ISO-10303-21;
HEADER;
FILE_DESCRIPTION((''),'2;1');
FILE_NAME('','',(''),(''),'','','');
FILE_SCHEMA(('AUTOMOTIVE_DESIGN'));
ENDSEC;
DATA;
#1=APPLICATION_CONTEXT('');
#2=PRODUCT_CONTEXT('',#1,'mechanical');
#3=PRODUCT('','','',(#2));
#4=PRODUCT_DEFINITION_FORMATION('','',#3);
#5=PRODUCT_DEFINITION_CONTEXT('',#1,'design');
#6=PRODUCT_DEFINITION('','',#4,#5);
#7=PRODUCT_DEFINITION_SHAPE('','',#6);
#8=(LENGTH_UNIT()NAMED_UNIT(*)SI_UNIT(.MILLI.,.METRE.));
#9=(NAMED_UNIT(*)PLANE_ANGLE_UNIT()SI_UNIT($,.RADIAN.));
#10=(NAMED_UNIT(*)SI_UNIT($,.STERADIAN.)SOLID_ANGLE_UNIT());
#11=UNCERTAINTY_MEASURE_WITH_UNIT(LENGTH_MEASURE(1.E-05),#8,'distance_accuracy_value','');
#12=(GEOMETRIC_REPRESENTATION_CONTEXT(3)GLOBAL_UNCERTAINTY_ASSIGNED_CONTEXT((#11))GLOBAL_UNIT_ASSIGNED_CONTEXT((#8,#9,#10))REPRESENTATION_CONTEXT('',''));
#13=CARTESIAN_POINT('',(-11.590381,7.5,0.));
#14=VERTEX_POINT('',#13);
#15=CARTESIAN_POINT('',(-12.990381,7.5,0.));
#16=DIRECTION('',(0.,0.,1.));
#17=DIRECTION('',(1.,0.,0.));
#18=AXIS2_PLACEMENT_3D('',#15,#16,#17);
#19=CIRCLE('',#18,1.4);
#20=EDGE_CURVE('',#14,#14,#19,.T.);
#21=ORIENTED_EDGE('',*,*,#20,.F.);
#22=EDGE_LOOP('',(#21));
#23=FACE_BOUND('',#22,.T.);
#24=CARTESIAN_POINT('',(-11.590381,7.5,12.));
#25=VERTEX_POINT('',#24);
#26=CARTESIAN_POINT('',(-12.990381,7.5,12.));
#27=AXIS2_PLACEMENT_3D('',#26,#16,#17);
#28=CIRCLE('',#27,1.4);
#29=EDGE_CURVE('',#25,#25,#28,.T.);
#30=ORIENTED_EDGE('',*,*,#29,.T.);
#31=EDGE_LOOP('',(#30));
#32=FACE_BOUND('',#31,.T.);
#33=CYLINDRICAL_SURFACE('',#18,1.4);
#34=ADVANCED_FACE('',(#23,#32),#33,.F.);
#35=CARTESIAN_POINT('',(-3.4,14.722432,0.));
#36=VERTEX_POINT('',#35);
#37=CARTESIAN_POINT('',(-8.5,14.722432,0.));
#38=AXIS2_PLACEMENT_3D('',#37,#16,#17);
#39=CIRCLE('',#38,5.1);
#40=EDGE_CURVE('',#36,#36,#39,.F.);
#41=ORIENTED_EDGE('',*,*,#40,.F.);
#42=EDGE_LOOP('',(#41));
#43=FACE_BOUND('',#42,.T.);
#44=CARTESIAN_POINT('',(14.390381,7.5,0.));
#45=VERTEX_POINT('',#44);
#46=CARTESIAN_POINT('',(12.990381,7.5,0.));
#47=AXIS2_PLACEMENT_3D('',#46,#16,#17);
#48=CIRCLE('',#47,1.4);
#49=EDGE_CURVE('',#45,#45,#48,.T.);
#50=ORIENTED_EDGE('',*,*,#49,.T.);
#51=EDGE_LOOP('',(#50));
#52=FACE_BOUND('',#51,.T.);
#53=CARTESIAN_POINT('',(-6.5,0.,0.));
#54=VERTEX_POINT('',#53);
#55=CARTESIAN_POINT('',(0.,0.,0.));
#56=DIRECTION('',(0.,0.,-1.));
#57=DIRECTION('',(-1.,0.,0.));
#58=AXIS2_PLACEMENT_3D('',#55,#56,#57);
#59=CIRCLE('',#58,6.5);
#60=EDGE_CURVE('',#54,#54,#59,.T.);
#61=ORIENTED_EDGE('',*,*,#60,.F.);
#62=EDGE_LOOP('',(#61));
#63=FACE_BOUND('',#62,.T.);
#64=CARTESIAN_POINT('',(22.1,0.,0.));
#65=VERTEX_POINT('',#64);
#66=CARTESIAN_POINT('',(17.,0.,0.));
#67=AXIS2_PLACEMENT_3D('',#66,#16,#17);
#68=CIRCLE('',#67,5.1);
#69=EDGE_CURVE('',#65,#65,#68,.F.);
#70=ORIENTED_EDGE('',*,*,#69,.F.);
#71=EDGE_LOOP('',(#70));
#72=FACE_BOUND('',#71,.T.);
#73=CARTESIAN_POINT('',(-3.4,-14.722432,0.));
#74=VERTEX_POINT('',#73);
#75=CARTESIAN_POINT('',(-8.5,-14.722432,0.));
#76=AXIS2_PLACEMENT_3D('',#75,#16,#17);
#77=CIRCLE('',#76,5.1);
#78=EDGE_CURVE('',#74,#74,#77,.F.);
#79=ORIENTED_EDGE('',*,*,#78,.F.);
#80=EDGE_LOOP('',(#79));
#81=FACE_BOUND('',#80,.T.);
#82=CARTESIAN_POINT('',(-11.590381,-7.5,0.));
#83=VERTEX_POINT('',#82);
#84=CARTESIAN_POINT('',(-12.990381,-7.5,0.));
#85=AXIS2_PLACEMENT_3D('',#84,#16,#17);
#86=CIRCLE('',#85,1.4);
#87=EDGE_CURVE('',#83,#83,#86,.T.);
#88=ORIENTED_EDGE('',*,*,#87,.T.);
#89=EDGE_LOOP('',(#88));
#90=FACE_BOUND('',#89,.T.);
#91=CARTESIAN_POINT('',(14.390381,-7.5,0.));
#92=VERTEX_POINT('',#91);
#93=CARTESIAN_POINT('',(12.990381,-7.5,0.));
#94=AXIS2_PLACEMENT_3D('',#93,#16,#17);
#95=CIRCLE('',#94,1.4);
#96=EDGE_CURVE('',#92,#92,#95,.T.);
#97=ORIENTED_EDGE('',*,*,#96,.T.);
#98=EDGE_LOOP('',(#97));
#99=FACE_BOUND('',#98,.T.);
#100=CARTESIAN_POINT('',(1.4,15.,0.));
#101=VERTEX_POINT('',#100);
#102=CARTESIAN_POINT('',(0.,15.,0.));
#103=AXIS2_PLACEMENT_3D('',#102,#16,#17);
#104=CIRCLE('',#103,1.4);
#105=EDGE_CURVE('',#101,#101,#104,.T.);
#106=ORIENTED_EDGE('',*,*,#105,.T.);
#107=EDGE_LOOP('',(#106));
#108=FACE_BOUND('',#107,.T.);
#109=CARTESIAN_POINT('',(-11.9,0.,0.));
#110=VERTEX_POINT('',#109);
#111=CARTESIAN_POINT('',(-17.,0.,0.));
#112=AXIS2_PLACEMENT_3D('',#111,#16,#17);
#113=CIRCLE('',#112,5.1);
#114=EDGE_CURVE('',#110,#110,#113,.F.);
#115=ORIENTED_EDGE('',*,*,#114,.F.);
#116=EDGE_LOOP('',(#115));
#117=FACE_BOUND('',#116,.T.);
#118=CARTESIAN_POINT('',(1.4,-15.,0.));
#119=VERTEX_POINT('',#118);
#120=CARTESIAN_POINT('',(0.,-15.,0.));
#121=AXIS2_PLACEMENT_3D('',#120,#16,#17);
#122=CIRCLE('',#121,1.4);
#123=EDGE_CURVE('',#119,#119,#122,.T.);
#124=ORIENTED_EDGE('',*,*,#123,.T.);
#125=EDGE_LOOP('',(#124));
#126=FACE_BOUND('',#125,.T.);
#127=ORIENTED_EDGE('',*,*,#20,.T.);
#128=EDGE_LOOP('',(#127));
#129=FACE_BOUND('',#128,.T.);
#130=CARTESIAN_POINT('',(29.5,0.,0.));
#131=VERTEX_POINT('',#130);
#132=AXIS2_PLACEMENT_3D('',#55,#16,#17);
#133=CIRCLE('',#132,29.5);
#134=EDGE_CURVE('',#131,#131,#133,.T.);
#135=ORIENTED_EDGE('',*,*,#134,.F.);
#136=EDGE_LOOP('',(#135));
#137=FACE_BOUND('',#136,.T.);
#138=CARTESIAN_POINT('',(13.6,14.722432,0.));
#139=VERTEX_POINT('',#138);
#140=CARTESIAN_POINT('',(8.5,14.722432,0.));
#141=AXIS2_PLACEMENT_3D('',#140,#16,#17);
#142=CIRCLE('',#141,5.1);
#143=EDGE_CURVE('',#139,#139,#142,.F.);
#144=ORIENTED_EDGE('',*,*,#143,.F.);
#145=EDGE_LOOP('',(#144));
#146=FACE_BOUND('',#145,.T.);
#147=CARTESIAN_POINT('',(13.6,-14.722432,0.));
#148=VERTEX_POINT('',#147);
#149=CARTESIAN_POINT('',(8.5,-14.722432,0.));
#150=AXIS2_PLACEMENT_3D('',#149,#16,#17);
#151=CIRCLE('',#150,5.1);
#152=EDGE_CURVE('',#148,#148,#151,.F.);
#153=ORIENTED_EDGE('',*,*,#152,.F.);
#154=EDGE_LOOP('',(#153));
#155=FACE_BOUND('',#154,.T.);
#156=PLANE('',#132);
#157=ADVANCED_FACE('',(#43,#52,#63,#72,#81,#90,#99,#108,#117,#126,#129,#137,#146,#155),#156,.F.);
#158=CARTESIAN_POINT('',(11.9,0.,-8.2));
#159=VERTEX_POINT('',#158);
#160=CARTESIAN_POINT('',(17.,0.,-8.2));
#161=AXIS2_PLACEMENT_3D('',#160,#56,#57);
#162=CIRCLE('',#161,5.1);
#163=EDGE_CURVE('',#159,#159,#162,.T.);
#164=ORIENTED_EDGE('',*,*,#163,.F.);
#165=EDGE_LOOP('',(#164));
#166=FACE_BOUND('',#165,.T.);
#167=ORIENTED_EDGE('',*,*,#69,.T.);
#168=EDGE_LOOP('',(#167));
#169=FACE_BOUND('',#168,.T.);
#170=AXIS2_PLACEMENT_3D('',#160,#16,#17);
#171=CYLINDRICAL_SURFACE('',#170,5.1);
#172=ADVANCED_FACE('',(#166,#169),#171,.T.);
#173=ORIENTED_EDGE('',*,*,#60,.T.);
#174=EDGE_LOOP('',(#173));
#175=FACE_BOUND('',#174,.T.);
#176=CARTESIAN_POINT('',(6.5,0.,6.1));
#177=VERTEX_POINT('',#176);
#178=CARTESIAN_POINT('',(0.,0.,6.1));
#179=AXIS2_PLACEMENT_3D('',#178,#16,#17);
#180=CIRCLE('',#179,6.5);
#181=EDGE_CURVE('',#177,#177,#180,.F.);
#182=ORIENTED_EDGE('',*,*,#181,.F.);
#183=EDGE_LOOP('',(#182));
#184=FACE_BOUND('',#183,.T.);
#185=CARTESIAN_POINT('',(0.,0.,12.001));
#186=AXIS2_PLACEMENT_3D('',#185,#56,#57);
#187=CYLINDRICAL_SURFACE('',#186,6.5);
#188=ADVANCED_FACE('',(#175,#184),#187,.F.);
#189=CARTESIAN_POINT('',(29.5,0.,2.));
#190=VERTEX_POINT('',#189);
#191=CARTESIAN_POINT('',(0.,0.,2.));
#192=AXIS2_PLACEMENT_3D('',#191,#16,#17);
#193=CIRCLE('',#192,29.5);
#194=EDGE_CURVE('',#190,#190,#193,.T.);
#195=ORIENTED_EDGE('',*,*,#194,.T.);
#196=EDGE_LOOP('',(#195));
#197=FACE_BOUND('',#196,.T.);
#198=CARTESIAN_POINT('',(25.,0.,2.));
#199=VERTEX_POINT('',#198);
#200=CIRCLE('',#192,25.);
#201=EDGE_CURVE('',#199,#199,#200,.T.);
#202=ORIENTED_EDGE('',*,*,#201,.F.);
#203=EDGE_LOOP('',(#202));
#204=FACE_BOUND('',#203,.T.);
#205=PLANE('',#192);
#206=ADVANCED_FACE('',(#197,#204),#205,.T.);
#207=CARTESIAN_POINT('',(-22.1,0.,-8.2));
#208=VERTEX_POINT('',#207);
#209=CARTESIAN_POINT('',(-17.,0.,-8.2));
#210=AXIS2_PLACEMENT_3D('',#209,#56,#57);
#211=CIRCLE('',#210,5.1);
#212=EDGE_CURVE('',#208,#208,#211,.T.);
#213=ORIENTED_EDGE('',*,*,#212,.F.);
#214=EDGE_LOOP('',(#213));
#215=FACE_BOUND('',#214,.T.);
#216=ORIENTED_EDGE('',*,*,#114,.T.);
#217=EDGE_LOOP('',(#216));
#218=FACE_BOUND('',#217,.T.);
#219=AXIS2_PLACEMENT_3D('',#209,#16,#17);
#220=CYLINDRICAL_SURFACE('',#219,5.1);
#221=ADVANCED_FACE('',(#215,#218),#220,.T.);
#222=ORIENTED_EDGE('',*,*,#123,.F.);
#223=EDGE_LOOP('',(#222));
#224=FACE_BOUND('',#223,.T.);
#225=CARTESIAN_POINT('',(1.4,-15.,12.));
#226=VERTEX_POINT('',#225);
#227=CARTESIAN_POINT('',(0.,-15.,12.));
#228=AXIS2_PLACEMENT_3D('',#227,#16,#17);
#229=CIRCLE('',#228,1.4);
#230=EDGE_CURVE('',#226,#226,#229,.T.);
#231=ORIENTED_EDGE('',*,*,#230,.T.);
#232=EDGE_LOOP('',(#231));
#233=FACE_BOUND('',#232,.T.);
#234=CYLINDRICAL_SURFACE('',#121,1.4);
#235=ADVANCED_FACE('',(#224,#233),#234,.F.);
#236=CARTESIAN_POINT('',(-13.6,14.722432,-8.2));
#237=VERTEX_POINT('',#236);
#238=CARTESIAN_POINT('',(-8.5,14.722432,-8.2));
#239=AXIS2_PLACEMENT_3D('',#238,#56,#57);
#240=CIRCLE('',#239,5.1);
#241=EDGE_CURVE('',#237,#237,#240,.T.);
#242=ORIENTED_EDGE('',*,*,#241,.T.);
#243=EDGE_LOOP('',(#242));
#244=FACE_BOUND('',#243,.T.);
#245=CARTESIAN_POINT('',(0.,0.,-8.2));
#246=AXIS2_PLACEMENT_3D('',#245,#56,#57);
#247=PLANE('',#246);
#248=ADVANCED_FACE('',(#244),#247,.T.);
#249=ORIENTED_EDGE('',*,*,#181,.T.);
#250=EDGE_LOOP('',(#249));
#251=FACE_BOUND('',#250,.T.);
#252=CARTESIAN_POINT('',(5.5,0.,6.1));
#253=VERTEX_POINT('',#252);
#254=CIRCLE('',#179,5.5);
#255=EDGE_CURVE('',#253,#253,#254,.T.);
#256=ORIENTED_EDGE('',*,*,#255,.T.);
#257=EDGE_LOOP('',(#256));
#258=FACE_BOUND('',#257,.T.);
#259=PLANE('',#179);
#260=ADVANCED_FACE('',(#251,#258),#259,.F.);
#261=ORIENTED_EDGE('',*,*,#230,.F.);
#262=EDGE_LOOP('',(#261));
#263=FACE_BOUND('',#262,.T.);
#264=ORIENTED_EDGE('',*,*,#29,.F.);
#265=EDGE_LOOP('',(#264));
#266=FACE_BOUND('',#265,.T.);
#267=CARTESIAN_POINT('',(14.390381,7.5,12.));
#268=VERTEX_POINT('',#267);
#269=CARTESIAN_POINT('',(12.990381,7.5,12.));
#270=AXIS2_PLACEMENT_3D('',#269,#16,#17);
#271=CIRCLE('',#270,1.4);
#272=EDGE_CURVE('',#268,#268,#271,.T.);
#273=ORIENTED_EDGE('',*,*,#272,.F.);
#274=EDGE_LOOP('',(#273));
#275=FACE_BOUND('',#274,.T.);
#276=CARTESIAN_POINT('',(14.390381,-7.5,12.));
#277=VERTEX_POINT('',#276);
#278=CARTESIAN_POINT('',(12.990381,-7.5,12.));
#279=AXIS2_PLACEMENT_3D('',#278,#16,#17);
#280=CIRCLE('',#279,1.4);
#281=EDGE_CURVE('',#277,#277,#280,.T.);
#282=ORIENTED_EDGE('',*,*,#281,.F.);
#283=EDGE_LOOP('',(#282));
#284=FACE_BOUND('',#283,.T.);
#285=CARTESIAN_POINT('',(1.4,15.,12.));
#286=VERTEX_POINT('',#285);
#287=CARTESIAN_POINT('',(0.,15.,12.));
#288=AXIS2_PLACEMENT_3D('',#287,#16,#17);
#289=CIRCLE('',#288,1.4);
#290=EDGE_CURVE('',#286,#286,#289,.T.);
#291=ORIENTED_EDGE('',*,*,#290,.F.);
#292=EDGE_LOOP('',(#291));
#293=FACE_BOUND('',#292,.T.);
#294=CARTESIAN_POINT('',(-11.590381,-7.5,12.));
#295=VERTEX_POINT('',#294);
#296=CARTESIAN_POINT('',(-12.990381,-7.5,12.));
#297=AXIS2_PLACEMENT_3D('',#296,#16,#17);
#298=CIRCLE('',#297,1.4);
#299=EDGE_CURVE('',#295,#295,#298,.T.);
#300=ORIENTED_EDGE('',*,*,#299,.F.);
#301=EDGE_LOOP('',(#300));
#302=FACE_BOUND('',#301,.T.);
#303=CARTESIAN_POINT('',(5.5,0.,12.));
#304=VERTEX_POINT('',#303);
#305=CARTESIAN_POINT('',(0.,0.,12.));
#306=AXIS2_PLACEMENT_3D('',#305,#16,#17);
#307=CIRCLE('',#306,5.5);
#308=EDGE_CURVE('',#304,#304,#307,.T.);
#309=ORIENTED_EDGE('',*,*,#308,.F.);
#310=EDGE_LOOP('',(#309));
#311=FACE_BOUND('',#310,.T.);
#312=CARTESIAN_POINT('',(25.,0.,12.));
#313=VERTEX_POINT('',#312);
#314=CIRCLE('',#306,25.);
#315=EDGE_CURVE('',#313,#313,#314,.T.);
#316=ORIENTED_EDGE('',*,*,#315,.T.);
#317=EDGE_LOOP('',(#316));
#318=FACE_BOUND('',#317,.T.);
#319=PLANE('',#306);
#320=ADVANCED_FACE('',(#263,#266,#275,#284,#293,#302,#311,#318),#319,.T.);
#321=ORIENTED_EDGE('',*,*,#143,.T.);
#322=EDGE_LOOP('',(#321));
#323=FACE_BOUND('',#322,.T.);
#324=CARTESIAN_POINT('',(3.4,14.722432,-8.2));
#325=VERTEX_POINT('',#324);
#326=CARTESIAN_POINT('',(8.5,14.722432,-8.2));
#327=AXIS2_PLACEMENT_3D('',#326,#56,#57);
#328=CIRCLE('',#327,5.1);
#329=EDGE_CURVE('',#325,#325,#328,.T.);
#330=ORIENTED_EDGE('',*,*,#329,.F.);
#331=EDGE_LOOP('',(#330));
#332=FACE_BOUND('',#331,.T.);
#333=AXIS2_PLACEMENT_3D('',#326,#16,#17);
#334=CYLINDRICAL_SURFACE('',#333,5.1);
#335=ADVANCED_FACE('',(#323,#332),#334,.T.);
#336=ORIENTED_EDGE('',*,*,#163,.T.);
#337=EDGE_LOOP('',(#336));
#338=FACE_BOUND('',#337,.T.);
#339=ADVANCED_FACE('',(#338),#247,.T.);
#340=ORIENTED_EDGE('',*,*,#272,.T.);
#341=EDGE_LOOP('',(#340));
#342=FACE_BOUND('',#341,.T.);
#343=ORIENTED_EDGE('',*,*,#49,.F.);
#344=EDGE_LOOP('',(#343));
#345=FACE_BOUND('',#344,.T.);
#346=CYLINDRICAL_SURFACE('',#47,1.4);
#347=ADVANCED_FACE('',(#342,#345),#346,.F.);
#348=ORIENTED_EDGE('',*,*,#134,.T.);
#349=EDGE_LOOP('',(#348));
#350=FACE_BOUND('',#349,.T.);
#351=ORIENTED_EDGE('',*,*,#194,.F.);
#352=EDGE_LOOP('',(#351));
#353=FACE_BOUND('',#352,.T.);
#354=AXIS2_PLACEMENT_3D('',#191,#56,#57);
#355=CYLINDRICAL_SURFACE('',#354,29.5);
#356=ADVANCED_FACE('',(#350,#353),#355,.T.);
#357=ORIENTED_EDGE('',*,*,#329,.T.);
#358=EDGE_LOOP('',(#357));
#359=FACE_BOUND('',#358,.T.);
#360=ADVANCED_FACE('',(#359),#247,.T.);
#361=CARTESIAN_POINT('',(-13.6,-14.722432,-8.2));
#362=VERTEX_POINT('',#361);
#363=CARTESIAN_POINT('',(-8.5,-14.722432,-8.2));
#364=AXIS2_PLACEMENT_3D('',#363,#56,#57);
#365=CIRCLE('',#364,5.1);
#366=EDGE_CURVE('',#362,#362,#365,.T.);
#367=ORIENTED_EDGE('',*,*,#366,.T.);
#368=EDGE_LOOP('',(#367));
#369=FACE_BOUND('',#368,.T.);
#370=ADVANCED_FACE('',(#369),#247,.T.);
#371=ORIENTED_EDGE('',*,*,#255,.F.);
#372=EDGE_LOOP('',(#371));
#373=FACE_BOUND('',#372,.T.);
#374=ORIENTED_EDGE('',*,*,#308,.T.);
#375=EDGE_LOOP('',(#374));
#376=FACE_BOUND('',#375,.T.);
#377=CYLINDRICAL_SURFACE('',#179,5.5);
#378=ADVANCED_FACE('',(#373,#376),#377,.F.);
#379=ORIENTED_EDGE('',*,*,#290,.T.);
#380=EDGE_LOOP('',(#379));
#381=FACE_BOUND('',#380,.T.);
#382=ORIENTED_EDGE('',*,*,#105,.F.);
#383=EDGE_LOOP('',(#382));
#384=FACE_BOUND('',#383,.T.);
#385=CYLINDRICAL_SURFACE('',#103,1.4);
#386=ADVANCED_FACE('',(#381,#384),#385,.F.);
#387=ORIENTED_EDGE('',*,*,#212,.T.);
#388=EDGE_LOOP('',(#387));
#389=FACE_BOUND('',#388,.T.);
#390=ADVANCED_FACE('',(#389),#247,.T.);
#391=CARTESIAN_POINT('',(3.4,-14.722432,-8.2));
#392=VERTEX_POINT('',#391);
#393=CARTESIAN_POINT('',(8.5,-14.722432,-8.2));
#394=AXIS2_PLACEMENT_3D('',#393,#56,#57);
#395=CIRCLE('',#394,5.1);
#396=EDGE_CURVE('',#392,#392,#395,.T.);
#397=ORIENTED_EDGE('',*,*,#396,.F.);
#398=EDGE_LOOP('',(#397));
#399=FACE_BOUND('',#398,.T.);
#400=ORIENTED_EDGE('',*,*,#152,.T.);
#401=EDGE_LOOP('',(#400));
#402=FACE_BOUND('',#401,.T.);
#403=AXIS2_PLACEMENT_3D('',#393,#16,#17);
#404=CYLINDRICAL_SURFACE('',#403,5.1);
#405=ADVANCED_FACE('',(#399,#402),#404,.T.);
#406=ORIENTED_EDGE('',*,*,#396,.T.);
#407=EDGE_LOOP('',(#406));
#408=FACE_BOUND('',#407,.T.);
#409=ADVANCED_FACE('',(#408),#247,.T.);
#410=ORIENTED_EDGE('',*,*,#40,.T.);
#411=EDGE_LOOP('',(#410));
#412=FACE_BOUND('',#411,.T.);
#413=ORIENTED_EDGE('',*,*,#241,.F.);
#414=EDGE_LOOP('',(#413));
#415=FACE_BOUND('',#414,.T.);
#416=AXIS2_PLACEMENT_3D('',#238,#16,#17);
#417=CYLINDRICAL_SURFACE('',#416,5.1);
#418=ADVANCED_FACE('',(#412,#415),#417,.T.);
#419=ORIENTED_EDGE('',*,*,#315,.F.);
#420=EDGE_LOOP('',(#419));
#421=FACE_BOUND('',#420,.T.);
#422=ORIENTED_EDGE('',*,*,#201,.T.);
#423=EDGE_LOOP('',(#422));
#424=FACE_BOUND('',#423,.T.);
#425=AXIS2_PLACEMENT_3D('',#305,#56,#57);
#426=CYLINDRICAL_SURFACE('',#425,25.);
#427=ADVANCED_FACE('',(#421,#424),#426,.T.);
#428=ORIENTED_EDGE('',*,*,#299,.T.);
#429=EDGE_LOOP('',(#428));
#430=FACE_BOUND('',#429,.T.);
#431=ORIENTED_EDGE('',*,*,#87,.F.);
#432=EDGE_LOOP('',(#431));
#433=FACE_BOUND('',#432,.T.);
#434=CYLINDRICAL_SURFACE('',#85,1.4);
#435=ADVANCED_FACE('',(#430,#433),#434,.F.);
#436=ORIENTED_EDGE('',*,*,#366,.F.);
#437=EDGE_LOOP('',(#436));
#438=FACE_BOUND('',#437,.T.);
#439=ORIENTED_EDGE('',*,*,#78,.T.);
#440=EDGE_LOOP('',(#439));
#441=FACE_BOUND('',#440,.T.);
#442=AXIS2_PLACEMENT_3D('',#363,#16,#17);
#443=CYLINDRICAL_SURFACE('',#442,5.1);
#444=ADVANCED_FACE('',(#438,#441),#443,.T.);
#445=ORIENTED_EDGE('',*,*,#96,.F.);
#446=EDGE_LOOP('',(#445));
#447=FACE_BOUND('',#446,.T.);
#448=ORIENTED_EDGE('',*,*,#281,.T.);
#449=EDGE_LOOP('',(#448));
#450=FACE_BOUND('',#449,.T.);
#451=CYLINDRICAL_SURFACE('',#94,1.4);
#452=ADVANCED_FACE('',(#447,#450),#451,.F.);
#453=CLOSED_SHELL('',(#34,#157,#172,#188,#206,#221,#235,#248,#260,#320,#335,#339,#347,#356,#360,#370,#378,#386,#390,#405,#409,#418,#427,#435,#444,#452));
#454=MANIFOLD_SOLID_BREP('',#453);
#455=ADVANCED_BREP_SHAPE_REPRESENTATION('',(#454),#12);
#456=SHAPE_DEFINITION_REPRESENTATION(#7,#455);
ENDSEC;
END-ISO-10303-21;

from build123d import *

# Parameters (mm, degrees)
SKETCH_2_R          = 29.5
EXTRUDE_1_DEPTH     = 2
SKETCH_3_R          = 25
EXTRUDE_2_DEPTH     = 10
SKETCH_4_R          = 5.1
EXTRUDE_3_DEPTH     = 8.2
SKETCH_7_R          = 1.4
CUT_EXTRUDE_3_DEPTH = 12
CUT_EXTRUDE_4_REACH = 45.411
SKETCH_9_R          = 6.5
EXTRUDE_START       = -5.9
SKETCH_10_R         = 6.5
SKETCH_10_R_2       = 5.5
EXTRUDE_4_DEPTH     = 5.9


with BuildPart() as part:
    # 草图2 → 凸台-拉伸1 (new body)
    with BuildSketch(Plane.XY):
        Circle(SKETCH_2_R)
    extrude(amount=EXTRUDE_1_DEPTH)

    # 草图3 → 凸台-拉伸2 (add)
    with BuildSketch(Plane.XY.offset(2)):
        Circle(SKETCH_3_R)
    extrude(amount=EXTRUDE_2_DEPTH)

    # 草图4 → 凸台-拉伸3 (add)
    with BuildSketch(Plane(origin=(0, 0, 0), x_dir=(-1, 0, 0), z_dir=(0, 0, -1))):
        with Locations(Location((17, 0, 0), (0, 0, 180))):
            Circle(SKETCH_4_R)
        with Locations(Location((8.5, -14.722431864, 0), (0, 0, 180))):
            Circle(SKETCH_4_R)
        with Locations(Location((-8.5, -14.722431864, 0), (0, 0, 180))):
            Circle(SKETCH_4_R)
        with Locations(Location((-17, 0, 0), (0, 0, 180))):
            Circle(SKETCH_4_R)
        with Locations(Location((-8.5, 14.722431864, 0), (0, 0, 180))):
            Circle(SKETCH_4_R)
        with Locations(Location((8.5, 14.722431864, 0), (0, 0, 180))):
            Circle(SKETCH_4_R)
    extrude(amount=EXTRUDE_3_DEPTH)

    # 草图7 → 切除-拉伸3 (cut)
    with BuildSketch(Plane.XY.offset(12)):
        with Locations((12.990381057, 7.5)):
            Circle(SKETCH_7_R)
        with Locations((12.990381057, -7.5)):
            Circle(SKETCH_7_R)
        with Locations((0, -15)):
            Circle(SKETCH_7_R)
        with Locations((-12.990381057, -7.5)):
            Circle(SKETCH_7_R)
        with Locations((-12.990381057, 7.5)):
            Circle(SKETCH_7_R)
        with Locations((0, 15)):
            Circle(SKETCH_7_R)
    extrude(amount=-CUT_EXTRUDE_3_DEPTH, mode=Mode.SUBTRACT)

    # 草图9 → 切除-拉伸4 (cut, up to next)
    with BuildSketch(Plane(origin=(0, 0, 0), x_dir=(-1, 0, 0), z_dir=(0, 0, -1)), mode=Mode.PRIVATE) as cut_extrude_4_sk1:
        Circle(SKETCH_9_R)
    cut_extrude_4_tool1 = extrude(cut_extrude_4_sk1.sketch, amount=-CUT_EXTRUDE_4_REACH, mode=Mode.PRIVATE) & part.part
    add(cut_extrude_4_tool1.solids().sort_by_distance((0, 0, 0))[0], mode=Mode.SUBTRACT)

    # 草图10 → 凸台-拉伸4 (add)
    with BuildSketch(Plane.XY.offset(12).offset(EXTRUDE_START)):
        with Locations(Location((0, 0, 0), (0, 0, 180))):
            Circle(SKETCH_10_R)
        Circle(SKETCH_10_R_2, mode=Mode.SUBTRACT)
    extrude(amount=EXTRUDE_4_DEPTH)


solid = part.part
